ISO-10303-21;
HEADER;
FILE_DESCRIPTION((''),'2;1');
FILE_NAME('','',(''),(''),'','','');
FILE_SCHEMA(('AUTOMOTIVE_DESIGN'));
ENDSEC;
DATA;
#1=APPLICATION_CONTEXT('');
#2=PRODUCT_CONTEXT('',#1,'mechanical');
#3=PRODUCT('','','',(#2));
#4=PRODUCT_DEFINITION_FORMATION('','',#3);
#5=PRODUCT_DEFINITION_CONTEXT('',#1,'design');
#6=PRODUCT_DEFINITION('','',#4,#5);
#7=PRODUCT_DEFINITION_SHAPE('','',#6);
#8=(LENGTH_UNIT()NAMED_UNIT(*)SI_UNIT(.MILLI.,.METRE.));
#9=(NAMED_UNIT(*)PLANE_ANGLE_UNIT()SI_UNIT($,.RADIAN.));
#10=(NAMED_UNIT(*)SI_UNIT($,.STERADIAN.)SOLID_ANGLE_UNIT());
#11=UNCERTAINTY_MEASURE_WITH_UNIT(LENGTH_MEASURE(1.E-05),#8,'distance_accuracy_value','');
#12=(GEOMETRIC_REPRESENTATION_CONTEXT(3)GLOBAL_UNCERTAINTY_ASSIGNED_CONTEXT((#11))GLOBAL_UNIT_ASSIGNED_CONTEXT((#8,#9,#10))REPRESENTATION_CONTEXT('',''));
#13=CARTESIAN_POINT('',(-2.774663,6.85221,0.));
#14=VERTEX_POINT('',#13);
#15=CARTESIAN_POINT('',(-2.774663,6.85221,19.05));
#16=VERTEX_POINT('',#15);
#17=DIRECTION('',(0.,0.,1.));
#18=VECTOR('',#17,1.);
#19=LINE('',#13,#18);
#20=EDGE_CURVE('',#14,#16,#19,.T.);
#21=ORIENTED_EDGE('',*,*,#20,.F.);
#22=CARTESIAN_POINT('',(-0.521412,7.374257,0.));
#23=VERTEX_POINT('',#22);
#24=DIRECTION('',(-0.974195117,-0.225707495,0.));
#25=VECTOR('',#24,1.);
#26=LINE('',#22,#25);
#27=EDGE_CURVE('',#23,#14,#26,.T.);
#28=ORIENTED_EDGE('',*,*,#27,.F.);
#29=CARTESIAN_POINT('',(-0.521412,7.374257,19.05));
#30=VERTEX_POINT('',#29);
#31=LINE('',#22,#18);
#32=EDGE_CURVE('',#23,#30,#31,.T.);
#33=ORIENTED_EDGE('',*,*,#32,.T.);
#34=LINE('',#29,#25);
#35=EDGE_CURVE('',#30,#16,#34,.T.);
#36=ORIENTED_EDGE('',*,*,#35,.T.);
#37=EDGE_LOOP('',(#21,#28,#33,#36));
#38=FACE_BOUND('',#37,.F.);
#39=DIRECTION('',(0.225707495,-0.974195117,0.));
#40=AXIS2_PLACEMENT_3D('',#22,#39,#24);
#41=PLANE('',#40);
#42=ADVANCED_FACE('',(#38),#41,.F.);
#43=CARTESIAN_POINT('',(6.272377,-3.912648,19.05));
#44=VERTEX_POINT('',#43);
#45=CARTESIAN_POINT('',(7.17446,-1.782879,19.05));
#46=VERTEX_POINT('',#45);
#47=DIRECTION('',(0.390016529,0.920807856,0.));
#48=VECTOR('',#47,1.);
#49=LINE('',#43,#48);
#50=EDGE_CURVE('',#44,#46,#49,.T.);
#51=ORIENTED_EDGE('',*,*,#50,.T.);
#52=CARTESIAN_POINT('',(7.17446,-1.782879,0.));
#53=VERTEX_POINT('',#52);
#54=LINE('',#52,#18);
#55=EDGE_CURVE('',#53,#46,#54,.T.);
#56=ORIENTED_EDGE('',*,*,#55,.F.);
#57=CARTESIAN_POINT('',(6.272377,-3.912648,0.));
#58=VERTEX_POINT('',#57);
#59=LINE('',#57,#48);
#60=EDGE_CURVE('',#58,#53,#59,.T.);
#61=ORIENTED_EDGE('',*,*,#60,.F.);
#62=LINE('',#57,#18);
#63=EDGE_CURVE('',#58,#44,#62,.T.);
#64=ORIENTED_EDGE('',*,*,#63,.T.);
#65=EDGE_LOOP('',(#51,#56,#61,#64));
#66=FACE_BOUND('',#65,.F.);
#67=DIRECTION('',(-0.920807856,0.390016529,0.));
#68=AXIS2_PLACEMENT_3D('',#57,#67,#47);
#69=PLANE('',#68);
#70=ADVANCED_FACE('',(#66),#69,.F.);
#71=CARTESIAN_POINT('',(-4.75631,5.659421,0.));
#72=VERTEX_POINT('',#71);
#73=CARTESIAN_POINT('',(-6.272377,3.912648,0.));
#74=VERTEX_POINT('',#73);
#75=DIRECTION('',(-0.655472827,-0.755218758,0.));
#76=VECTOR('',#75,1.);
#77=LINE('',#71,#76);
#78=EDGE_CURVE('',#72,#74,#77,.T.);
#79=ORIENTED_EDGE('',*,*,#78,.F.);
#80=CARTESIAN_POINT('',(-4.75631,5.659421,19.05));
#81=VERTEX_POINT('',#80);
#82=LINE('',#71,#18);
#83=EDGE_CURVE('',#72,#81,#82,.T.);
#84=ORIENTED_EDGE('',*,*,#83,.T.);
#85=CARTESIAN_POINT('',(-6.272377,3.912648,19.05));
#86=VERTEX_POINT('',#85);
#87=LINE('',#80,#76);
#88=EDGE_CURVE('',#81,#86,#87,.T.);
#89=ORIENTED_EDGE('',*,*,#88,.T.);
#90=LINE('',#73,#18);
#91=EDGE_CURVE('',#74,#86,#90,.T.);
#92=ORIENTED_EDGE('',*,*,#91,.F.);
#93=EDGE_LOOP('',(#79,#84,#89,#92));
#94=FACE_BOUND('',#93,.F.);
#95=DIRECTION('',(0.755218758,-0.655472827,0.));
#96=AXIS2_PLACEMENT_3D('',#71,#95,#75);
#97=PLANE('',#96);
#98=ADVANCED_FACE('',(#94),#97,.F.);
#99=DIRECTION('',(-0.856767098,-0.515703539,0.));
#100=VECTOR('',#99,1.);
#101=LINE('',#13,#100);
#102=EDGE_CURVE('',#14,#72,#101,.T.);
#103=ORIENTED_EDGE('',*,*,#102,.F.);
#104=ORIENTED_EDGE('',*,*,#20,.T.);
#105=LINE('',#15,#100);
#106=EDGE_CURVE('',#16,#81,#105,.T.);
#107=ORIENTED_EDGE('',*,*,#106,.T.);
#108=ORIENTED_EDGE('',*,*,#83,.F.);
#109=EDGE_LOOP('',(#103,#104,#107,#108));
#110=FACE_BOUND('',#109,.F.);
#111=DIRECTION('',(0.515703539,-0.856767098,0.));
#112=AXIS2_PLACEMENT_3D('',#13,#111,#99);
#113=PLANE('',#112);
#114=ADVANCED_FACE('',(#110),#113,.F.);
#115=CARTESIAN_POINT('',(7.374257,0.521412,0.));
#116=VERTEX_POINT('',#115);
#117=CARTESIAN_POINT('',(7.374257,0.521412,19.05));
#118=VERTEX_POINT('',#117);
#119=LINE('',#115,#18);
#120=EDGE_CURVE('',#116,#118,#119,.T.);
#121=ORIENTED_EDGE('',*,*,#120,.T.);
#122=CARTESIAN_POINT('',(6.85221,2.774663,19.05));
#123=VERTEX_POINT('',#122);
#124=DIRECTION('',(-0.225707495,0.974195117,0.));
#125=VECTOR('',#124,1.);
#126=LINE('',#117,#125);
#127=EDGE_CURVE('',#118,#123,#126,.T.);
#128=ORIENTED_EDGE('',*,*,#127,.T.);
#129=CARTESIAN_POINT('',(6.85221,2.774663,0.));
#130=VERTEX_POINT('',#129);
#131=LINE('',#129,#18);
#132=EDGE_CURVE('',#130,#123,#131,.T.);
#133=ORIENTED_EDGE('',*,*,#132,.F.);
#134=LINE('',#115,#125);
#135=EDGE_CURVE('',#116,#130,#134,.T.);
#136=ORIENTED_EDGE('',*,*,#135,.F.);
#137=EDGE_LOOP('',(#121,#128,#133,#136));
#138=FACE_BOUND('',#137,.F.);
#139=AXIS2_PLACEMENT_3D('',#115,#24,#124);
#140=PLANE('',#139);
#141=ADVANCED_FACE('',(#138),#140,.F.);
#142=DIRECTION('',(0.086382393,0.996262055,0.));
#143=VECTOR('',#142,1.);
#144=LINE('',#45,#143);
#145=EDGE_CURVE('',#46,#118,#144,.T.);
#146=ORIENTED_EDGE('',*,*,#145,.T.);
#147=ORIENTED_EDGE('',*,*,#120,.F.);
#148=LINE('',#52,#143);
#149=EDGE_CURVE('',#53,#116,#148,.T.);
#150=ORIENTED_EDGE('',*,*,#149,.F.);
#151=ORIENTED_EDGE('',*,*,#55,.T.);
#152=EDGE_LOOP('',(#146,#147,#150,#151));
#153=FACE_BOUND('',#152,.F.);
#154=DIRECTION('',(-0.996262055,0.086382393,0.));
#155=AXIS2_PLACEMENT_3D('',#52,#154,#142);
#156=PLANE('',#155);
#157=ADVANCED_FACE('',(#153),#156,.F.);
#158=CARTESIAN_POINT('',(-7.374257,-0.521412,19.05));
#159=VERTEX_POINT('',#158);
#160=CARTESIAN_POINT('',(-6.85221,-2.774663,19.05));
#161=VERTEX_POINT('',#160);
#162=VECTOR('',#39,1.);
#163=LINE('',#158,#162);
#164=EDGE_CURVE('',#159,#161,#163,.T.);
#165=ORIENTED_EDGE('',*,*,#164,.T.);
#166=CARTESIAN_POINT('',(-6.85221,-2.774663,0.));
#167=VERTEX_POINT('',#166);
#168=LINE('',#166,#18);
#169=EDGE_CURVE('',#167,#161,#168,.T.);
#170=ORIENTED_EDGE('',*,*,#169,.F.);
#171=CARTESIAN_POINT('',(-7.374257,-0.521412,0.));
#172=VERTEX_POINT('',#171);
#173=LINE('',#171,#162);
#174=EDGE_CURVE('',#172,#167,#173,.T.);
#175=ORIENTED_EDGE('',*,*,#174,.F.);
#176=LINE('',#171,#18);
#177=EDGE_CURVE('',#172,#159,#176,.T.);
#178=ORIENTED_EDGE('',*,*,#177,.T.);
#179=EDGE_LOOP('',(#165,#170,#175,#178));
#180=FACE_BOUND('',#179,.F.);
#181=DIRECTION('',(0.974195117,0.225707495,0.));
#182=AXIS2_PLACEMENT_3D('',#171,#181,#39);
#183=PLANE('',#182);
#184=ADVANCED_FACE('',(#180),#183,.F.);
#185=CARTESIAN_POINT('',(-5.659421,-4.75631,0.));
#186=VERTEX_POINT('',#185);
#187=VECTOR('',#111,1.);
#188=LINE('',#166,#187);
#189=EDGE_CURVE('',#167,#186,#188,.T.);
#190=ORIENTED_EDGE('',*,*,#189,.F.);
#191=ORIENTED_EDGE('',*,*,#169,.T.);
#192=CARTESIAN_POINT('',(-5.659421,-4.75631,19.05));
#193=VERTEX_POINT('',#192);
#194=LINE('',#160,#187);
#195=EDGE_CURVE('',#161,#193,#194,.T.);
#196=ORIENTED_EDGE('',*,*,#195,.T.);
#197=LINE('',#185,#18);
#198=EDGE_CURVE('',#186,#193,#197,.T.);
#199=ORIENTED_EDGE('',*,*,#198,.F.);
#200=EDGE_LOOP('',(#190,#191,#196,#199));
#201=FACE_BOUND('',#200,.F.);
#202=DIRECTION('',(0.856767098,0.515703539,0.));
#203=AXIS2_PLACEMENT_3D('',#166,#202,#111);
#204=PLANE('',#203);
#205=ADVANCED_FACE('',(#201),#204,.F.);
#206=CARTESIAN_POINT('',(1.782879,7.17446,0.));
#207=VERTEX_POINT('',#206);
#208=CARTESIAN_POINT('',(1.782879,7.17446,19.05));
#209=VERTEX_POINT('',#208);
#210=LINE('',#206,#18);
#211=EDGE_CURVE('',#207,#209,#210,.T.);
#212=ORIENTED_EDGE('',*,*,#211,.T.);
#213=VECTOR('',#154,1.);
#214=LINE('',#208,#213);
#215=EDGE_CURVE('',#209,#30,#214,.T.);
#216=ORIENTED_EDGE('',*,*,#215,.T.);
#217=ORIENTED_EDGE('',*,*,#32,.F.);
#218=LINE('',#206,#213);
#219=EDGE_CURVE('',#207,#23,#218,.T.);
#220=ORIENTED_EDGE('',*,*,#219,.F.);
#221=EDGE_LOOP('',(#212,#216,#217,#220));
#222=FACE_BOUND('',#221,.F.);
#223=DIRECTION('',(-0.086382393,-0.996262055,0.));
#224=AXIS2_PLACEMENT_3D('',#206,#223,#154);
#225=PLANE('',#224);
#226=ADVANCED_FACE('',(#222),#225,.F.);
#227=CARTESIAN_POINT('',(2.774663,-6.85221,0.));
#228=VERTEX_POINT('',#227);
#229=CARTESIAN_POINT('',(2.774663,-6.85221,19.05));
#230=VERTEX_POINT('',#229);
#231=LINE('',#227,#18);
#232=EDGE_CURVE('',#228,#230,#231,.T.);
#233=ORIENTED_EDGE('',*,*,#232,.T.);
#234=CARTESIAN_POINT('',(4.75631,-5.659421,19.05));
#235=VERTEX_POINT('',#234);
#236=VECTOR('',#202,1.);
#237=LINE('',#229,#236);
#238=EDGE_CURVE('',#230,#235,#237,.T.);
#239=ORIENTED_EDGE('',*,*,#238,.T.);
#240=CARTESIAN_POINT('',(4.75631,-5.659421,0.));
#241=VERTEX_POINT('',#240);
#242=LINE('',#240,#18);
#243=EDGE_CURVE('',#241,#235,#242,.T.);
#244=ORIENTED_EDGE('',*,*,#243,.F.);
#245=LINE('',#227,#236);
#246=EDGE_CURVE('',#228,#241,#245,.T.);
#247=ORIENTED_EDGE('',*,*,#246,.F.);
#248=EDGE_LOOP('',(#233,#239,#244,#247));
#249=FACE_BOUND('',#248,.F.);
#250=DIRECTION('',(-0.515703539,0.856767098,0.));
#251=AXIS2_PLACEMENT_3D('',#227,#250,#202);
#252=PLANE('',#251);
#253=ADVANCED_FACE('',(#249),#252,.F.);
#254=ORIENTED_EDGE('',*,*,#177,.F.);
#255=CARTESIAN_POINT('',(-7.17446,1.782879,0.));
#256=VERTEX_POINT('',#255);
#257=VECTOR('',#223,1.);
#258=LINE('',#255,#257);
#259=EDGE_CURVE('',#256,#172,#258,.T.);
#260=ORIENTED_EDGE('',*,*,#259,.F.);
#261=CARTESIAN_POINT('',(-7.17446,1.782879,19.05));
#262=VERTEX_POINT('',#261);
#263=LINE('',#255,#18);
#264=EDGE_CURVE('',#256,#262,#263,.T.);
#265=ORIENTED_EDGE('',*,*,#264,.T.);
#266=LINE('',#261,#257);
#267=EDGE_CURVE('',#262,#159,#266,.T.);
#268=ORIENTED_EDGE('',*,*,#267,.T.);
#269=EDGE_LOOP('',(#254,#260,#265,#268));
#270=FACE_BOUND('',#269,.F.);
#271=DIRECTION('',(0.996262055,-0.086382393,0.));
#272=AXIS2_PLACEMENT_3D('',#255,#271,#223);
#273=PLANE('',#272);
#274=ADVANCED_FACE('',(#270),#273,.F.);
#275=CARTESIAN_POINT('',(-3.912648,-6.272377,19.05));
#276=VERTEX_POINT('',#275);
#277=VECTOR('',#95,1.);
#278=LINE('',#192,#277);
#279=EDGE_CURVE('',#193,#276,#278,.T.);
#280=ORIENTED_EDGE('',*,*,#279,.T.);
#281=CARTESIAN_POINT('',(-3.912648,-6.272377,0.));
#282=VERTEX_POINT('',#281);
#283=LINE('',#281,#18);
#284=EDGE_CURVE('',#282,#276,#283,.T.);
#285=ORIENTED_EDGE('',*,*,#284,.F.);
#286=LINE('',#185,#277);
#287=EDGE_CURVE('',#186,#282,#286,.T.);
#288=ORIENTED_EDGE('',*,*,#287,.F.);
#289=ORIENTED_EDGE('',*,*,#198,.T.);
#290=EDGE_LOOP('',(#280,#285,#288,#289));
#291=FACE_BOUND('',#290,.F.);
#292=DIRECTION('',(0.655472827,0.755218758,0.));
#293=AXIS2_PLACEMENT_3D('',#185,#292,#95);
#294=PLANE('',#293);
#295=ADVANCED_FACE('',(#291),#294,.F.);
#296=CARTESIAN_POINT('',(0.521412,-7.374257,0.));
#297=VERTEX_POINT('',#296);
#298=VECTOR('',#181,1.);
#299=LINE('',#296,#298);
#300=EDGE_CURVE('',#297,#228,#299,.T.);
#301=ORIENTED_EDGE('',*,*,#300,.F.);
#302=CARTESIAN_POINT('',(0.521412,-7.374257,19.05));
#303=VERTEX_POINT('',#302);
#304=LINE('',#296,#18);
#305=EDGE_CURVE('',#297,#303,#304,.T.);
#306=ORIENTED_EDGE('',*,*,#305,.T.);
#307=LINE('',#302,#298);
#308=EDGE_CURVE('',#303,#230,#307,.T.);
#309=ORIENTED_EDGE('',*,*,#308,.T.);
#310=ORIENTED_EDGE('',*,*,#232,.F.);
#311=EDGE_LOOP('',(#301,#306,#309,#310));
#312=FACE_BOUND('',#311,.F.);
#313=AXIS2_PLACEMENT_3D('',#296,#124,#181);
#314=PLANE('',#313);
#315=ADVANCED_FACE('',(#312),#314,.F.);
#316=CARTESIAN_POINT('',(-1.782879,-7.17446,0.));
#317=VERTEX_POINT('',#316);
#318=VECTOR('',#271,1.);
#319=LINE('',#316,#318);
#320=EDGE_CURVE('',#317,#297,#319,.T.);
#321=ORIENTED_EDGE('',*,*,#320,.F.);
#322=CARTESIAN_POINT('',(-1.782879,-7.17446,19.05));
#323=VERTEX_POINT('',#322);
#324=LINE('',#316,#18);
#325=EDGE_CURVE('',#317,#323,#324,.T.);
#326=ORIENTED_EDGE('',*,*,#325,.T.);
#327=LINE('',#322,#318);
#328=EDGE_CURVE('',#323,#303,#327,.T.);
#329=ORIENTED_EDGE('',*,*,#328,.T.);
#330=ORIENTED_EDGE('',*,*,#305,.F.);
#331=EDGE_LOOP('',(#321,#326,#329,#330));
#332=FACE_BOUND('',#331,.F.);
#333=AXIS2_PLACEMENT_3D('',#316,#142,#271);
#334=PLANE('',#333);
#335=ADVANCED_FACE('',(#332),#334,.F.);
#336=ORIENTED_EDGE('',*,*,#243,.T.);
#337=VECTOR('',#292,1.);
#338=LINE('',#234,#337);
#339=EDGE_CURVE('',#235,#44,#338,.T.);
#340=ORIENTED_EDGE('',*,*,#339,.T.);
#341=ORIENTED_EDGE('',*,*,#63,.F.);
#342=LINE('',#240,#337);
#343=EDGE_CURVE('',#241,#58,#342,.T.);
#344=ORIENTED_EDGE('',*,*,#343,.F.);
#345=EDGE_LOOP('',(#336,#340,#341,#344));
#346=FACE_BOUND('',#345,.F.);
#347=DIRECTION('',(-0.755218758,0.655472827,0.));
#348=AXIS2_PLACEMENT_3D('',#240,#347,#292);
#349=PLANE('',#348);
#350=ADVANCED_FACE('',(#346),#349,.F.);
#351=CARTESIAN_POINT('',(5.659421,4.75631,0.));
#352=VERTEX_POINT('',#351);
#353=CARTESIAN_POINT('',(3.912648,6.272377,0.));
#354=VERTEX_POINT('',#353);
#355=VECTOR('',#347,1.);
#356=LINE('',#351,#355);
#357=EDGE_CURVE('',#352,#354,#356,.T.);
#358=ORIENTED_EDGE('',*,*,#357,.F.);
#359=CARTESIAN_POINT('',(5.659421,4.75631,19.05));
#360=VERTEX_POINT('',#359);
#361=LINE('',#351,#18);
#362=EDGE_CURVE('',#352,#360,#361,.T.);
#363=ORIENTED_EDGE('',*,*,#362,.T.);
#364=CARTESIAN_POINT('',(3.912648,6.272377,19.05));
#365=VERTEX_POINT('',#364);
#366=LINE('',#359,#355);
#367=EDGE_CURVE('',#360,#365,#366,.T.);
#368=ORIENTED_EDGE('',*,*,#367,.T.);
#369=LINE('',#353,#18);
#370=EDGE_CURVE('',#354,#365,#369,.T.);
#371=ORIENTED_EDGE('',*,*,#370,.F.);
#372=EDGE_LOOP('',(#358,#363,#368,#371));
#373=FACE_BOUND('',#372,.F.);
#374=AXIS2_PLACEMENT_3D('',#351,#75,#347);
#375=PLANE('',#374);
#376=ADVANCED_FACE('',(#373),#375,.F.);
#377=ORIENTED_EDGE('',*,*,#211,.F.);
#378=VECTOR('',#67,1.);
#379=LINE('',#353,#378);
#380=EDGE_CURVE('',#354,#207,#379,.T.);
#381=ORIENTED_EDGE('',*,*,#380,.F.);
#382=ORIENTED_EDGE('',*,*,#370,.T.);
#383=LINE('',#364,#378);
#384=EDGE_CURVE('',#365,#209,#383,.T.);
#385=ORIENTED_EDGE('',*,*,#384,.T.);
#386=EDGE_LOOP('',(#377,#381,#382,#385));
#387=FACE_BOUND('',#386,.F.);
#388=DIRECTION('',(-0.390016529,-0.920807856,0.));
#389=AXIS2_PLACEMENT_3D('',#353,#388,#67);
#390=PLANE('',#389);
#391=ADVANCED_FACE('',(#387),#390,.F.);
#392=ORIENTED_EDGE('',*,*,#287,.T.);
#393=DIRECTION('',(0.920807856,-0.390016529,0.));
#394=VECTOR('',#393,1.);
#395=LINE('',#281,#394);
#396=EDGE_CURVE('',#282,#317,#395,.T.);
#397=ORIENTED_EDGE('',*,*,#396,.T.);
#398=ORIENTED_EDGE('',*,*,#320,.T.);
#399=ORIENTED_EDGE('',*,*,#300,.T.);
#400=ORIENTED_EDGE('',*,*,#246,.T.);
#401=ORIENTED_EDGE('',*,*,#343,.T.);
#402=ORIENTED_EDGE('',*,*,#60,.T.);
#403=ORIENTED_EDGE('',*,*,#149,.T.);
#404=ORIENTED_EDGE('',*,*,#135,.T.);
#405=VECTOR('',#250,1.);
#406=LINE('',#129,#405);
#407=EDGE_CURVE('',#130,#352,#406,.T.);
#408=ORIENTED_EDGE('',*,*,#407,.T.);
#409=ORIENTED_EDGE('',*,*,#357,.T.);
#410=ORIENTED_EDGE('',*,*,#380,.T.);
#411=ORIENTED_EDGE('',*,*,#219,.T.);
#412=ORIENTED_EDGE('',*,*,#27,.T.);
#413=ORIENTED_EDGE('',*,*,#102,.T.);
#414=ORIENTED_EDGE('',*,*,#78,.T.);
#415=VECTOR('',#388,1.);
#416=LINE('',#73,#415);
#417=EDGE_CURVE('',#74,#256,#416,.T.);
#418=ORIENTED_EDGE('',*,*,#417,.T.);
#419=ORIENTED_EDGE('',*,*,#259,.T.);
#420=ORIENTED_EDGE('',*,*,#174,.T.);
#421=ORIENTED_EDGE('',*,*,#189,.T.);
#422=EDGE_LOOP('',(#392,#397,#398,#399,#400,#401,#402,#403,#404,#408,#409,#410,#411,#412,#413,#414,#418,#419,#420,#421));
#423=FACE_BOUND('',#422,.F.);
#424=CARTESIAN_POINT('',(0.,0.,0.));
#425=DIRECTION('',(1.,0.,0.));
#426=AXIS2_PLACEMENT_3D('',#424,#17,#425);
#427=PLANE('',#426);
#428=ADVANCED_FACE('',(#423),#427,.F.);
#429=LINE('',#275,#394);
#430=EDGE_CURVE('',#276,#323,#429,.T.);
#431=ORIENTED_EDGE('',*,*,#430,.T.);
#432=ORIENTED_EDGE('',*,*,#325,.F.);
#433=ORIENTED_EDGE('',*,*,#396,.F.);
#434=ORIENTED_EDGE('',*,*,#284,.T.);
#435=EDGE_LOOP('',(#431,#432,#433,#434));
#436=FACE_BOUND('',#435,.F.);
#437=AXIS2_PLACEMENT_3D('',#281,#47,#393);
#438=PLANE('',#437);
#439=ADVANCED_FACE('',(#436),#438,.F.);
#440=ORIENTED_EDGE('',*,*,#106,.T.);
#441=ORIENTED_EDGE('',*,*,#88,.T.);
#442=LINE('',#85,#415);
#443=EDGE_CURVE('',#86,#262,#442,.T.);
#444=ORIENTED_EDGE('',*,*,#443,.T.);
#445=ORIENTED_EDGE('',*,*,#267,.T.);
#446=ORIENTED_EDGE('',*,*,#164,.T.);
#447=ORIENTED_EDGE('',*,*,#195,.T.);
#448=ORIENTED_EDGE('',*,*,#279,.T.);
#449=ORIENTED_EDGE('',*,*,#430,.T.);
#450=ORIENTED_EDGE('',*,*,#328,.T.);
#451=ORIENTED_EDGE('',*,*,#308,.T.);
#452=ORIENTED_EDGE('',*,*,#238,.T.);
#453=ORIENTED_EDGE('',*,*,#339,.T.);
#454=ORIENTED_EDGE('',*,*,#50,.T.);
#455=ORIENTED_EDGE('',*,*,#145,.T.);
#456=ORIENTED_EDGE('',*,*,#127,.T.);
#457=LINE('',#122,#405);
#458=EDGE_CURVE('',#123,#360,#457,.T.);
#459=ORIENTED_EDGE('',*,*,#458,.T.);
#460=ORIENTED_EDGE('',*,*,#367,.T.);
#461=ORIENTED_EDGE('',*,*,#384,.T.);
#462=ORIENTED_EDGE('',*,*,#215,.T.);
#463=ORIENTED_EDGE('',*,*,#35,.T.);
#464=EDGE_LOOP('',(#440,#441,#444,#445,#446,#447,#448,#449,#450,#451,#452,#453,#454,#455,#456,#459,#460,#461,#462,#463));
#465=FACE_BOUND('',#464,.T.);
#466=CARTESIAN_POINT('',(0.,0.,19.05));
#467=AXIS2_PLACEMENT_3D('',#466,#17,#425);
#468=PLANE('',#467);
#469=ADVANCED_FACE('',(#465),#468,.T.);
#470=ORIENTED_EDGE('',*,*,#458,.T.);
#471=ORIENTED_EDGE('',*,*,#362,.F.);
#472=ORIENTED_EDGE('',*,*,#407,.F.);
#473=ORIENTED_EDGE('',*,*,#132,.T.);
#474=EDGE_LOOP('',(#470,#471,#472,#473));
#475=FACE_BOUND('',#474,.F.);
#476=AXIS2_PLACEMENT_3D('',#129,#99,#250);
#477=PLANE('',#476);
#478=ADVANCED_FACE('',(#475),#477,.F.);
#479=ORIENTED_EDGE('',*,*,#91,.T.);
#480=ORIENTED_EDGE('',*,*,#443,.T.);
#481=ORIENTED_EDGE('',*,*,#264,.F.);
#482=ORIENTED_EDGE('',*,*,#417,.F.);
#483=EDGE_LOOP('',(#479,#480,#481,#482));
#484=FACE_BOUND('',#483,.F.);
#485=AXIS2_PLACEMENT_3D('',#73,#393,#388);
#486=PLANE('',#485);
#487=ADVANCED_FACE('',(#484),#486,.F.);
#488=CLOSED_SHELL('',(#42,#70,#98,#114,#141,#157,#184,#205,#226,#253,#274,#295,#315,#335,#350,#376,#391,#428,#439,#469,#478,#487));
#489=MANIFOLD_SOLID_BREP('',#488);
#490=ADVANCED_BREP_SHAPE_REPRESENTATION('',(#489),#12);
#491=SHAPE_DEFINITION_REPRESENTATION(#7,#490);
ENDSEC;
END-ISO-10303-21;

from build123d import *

# Parameters (mm, degrees)
F1_DEPTH = 19.05


with BuildPart() as f1:
    # F0 (on Top) → F1 (new body)
    with BuildSketch(Plane.XY):
        Polygon((5.659421, 4.75631), (3.912648, 6.272377), (1.782879, 7.17446), (-0.521412, 7.374257), (-2.774663, 6.85221), (-4.75631, 5.659421), (-6.272377, 3.912648), (-7.17446, 1.782879), (-7.374257, -0.521412), (-6.85221, -2.774663), (-5.659421, -4.75631), (-3.912648, -6.272377), (-1.782879, -7.17446), (0.521412, -7.374257), (2.774663, -6.85221), (4.75631, -5.659421), (6.272377, -3.912648), (7.17446, -1.782879), (7.374257, 0.521412), (6.85221, 2.774663), align=None)
    extrude(amount=F1_DEPTH)


solid = f1.part
